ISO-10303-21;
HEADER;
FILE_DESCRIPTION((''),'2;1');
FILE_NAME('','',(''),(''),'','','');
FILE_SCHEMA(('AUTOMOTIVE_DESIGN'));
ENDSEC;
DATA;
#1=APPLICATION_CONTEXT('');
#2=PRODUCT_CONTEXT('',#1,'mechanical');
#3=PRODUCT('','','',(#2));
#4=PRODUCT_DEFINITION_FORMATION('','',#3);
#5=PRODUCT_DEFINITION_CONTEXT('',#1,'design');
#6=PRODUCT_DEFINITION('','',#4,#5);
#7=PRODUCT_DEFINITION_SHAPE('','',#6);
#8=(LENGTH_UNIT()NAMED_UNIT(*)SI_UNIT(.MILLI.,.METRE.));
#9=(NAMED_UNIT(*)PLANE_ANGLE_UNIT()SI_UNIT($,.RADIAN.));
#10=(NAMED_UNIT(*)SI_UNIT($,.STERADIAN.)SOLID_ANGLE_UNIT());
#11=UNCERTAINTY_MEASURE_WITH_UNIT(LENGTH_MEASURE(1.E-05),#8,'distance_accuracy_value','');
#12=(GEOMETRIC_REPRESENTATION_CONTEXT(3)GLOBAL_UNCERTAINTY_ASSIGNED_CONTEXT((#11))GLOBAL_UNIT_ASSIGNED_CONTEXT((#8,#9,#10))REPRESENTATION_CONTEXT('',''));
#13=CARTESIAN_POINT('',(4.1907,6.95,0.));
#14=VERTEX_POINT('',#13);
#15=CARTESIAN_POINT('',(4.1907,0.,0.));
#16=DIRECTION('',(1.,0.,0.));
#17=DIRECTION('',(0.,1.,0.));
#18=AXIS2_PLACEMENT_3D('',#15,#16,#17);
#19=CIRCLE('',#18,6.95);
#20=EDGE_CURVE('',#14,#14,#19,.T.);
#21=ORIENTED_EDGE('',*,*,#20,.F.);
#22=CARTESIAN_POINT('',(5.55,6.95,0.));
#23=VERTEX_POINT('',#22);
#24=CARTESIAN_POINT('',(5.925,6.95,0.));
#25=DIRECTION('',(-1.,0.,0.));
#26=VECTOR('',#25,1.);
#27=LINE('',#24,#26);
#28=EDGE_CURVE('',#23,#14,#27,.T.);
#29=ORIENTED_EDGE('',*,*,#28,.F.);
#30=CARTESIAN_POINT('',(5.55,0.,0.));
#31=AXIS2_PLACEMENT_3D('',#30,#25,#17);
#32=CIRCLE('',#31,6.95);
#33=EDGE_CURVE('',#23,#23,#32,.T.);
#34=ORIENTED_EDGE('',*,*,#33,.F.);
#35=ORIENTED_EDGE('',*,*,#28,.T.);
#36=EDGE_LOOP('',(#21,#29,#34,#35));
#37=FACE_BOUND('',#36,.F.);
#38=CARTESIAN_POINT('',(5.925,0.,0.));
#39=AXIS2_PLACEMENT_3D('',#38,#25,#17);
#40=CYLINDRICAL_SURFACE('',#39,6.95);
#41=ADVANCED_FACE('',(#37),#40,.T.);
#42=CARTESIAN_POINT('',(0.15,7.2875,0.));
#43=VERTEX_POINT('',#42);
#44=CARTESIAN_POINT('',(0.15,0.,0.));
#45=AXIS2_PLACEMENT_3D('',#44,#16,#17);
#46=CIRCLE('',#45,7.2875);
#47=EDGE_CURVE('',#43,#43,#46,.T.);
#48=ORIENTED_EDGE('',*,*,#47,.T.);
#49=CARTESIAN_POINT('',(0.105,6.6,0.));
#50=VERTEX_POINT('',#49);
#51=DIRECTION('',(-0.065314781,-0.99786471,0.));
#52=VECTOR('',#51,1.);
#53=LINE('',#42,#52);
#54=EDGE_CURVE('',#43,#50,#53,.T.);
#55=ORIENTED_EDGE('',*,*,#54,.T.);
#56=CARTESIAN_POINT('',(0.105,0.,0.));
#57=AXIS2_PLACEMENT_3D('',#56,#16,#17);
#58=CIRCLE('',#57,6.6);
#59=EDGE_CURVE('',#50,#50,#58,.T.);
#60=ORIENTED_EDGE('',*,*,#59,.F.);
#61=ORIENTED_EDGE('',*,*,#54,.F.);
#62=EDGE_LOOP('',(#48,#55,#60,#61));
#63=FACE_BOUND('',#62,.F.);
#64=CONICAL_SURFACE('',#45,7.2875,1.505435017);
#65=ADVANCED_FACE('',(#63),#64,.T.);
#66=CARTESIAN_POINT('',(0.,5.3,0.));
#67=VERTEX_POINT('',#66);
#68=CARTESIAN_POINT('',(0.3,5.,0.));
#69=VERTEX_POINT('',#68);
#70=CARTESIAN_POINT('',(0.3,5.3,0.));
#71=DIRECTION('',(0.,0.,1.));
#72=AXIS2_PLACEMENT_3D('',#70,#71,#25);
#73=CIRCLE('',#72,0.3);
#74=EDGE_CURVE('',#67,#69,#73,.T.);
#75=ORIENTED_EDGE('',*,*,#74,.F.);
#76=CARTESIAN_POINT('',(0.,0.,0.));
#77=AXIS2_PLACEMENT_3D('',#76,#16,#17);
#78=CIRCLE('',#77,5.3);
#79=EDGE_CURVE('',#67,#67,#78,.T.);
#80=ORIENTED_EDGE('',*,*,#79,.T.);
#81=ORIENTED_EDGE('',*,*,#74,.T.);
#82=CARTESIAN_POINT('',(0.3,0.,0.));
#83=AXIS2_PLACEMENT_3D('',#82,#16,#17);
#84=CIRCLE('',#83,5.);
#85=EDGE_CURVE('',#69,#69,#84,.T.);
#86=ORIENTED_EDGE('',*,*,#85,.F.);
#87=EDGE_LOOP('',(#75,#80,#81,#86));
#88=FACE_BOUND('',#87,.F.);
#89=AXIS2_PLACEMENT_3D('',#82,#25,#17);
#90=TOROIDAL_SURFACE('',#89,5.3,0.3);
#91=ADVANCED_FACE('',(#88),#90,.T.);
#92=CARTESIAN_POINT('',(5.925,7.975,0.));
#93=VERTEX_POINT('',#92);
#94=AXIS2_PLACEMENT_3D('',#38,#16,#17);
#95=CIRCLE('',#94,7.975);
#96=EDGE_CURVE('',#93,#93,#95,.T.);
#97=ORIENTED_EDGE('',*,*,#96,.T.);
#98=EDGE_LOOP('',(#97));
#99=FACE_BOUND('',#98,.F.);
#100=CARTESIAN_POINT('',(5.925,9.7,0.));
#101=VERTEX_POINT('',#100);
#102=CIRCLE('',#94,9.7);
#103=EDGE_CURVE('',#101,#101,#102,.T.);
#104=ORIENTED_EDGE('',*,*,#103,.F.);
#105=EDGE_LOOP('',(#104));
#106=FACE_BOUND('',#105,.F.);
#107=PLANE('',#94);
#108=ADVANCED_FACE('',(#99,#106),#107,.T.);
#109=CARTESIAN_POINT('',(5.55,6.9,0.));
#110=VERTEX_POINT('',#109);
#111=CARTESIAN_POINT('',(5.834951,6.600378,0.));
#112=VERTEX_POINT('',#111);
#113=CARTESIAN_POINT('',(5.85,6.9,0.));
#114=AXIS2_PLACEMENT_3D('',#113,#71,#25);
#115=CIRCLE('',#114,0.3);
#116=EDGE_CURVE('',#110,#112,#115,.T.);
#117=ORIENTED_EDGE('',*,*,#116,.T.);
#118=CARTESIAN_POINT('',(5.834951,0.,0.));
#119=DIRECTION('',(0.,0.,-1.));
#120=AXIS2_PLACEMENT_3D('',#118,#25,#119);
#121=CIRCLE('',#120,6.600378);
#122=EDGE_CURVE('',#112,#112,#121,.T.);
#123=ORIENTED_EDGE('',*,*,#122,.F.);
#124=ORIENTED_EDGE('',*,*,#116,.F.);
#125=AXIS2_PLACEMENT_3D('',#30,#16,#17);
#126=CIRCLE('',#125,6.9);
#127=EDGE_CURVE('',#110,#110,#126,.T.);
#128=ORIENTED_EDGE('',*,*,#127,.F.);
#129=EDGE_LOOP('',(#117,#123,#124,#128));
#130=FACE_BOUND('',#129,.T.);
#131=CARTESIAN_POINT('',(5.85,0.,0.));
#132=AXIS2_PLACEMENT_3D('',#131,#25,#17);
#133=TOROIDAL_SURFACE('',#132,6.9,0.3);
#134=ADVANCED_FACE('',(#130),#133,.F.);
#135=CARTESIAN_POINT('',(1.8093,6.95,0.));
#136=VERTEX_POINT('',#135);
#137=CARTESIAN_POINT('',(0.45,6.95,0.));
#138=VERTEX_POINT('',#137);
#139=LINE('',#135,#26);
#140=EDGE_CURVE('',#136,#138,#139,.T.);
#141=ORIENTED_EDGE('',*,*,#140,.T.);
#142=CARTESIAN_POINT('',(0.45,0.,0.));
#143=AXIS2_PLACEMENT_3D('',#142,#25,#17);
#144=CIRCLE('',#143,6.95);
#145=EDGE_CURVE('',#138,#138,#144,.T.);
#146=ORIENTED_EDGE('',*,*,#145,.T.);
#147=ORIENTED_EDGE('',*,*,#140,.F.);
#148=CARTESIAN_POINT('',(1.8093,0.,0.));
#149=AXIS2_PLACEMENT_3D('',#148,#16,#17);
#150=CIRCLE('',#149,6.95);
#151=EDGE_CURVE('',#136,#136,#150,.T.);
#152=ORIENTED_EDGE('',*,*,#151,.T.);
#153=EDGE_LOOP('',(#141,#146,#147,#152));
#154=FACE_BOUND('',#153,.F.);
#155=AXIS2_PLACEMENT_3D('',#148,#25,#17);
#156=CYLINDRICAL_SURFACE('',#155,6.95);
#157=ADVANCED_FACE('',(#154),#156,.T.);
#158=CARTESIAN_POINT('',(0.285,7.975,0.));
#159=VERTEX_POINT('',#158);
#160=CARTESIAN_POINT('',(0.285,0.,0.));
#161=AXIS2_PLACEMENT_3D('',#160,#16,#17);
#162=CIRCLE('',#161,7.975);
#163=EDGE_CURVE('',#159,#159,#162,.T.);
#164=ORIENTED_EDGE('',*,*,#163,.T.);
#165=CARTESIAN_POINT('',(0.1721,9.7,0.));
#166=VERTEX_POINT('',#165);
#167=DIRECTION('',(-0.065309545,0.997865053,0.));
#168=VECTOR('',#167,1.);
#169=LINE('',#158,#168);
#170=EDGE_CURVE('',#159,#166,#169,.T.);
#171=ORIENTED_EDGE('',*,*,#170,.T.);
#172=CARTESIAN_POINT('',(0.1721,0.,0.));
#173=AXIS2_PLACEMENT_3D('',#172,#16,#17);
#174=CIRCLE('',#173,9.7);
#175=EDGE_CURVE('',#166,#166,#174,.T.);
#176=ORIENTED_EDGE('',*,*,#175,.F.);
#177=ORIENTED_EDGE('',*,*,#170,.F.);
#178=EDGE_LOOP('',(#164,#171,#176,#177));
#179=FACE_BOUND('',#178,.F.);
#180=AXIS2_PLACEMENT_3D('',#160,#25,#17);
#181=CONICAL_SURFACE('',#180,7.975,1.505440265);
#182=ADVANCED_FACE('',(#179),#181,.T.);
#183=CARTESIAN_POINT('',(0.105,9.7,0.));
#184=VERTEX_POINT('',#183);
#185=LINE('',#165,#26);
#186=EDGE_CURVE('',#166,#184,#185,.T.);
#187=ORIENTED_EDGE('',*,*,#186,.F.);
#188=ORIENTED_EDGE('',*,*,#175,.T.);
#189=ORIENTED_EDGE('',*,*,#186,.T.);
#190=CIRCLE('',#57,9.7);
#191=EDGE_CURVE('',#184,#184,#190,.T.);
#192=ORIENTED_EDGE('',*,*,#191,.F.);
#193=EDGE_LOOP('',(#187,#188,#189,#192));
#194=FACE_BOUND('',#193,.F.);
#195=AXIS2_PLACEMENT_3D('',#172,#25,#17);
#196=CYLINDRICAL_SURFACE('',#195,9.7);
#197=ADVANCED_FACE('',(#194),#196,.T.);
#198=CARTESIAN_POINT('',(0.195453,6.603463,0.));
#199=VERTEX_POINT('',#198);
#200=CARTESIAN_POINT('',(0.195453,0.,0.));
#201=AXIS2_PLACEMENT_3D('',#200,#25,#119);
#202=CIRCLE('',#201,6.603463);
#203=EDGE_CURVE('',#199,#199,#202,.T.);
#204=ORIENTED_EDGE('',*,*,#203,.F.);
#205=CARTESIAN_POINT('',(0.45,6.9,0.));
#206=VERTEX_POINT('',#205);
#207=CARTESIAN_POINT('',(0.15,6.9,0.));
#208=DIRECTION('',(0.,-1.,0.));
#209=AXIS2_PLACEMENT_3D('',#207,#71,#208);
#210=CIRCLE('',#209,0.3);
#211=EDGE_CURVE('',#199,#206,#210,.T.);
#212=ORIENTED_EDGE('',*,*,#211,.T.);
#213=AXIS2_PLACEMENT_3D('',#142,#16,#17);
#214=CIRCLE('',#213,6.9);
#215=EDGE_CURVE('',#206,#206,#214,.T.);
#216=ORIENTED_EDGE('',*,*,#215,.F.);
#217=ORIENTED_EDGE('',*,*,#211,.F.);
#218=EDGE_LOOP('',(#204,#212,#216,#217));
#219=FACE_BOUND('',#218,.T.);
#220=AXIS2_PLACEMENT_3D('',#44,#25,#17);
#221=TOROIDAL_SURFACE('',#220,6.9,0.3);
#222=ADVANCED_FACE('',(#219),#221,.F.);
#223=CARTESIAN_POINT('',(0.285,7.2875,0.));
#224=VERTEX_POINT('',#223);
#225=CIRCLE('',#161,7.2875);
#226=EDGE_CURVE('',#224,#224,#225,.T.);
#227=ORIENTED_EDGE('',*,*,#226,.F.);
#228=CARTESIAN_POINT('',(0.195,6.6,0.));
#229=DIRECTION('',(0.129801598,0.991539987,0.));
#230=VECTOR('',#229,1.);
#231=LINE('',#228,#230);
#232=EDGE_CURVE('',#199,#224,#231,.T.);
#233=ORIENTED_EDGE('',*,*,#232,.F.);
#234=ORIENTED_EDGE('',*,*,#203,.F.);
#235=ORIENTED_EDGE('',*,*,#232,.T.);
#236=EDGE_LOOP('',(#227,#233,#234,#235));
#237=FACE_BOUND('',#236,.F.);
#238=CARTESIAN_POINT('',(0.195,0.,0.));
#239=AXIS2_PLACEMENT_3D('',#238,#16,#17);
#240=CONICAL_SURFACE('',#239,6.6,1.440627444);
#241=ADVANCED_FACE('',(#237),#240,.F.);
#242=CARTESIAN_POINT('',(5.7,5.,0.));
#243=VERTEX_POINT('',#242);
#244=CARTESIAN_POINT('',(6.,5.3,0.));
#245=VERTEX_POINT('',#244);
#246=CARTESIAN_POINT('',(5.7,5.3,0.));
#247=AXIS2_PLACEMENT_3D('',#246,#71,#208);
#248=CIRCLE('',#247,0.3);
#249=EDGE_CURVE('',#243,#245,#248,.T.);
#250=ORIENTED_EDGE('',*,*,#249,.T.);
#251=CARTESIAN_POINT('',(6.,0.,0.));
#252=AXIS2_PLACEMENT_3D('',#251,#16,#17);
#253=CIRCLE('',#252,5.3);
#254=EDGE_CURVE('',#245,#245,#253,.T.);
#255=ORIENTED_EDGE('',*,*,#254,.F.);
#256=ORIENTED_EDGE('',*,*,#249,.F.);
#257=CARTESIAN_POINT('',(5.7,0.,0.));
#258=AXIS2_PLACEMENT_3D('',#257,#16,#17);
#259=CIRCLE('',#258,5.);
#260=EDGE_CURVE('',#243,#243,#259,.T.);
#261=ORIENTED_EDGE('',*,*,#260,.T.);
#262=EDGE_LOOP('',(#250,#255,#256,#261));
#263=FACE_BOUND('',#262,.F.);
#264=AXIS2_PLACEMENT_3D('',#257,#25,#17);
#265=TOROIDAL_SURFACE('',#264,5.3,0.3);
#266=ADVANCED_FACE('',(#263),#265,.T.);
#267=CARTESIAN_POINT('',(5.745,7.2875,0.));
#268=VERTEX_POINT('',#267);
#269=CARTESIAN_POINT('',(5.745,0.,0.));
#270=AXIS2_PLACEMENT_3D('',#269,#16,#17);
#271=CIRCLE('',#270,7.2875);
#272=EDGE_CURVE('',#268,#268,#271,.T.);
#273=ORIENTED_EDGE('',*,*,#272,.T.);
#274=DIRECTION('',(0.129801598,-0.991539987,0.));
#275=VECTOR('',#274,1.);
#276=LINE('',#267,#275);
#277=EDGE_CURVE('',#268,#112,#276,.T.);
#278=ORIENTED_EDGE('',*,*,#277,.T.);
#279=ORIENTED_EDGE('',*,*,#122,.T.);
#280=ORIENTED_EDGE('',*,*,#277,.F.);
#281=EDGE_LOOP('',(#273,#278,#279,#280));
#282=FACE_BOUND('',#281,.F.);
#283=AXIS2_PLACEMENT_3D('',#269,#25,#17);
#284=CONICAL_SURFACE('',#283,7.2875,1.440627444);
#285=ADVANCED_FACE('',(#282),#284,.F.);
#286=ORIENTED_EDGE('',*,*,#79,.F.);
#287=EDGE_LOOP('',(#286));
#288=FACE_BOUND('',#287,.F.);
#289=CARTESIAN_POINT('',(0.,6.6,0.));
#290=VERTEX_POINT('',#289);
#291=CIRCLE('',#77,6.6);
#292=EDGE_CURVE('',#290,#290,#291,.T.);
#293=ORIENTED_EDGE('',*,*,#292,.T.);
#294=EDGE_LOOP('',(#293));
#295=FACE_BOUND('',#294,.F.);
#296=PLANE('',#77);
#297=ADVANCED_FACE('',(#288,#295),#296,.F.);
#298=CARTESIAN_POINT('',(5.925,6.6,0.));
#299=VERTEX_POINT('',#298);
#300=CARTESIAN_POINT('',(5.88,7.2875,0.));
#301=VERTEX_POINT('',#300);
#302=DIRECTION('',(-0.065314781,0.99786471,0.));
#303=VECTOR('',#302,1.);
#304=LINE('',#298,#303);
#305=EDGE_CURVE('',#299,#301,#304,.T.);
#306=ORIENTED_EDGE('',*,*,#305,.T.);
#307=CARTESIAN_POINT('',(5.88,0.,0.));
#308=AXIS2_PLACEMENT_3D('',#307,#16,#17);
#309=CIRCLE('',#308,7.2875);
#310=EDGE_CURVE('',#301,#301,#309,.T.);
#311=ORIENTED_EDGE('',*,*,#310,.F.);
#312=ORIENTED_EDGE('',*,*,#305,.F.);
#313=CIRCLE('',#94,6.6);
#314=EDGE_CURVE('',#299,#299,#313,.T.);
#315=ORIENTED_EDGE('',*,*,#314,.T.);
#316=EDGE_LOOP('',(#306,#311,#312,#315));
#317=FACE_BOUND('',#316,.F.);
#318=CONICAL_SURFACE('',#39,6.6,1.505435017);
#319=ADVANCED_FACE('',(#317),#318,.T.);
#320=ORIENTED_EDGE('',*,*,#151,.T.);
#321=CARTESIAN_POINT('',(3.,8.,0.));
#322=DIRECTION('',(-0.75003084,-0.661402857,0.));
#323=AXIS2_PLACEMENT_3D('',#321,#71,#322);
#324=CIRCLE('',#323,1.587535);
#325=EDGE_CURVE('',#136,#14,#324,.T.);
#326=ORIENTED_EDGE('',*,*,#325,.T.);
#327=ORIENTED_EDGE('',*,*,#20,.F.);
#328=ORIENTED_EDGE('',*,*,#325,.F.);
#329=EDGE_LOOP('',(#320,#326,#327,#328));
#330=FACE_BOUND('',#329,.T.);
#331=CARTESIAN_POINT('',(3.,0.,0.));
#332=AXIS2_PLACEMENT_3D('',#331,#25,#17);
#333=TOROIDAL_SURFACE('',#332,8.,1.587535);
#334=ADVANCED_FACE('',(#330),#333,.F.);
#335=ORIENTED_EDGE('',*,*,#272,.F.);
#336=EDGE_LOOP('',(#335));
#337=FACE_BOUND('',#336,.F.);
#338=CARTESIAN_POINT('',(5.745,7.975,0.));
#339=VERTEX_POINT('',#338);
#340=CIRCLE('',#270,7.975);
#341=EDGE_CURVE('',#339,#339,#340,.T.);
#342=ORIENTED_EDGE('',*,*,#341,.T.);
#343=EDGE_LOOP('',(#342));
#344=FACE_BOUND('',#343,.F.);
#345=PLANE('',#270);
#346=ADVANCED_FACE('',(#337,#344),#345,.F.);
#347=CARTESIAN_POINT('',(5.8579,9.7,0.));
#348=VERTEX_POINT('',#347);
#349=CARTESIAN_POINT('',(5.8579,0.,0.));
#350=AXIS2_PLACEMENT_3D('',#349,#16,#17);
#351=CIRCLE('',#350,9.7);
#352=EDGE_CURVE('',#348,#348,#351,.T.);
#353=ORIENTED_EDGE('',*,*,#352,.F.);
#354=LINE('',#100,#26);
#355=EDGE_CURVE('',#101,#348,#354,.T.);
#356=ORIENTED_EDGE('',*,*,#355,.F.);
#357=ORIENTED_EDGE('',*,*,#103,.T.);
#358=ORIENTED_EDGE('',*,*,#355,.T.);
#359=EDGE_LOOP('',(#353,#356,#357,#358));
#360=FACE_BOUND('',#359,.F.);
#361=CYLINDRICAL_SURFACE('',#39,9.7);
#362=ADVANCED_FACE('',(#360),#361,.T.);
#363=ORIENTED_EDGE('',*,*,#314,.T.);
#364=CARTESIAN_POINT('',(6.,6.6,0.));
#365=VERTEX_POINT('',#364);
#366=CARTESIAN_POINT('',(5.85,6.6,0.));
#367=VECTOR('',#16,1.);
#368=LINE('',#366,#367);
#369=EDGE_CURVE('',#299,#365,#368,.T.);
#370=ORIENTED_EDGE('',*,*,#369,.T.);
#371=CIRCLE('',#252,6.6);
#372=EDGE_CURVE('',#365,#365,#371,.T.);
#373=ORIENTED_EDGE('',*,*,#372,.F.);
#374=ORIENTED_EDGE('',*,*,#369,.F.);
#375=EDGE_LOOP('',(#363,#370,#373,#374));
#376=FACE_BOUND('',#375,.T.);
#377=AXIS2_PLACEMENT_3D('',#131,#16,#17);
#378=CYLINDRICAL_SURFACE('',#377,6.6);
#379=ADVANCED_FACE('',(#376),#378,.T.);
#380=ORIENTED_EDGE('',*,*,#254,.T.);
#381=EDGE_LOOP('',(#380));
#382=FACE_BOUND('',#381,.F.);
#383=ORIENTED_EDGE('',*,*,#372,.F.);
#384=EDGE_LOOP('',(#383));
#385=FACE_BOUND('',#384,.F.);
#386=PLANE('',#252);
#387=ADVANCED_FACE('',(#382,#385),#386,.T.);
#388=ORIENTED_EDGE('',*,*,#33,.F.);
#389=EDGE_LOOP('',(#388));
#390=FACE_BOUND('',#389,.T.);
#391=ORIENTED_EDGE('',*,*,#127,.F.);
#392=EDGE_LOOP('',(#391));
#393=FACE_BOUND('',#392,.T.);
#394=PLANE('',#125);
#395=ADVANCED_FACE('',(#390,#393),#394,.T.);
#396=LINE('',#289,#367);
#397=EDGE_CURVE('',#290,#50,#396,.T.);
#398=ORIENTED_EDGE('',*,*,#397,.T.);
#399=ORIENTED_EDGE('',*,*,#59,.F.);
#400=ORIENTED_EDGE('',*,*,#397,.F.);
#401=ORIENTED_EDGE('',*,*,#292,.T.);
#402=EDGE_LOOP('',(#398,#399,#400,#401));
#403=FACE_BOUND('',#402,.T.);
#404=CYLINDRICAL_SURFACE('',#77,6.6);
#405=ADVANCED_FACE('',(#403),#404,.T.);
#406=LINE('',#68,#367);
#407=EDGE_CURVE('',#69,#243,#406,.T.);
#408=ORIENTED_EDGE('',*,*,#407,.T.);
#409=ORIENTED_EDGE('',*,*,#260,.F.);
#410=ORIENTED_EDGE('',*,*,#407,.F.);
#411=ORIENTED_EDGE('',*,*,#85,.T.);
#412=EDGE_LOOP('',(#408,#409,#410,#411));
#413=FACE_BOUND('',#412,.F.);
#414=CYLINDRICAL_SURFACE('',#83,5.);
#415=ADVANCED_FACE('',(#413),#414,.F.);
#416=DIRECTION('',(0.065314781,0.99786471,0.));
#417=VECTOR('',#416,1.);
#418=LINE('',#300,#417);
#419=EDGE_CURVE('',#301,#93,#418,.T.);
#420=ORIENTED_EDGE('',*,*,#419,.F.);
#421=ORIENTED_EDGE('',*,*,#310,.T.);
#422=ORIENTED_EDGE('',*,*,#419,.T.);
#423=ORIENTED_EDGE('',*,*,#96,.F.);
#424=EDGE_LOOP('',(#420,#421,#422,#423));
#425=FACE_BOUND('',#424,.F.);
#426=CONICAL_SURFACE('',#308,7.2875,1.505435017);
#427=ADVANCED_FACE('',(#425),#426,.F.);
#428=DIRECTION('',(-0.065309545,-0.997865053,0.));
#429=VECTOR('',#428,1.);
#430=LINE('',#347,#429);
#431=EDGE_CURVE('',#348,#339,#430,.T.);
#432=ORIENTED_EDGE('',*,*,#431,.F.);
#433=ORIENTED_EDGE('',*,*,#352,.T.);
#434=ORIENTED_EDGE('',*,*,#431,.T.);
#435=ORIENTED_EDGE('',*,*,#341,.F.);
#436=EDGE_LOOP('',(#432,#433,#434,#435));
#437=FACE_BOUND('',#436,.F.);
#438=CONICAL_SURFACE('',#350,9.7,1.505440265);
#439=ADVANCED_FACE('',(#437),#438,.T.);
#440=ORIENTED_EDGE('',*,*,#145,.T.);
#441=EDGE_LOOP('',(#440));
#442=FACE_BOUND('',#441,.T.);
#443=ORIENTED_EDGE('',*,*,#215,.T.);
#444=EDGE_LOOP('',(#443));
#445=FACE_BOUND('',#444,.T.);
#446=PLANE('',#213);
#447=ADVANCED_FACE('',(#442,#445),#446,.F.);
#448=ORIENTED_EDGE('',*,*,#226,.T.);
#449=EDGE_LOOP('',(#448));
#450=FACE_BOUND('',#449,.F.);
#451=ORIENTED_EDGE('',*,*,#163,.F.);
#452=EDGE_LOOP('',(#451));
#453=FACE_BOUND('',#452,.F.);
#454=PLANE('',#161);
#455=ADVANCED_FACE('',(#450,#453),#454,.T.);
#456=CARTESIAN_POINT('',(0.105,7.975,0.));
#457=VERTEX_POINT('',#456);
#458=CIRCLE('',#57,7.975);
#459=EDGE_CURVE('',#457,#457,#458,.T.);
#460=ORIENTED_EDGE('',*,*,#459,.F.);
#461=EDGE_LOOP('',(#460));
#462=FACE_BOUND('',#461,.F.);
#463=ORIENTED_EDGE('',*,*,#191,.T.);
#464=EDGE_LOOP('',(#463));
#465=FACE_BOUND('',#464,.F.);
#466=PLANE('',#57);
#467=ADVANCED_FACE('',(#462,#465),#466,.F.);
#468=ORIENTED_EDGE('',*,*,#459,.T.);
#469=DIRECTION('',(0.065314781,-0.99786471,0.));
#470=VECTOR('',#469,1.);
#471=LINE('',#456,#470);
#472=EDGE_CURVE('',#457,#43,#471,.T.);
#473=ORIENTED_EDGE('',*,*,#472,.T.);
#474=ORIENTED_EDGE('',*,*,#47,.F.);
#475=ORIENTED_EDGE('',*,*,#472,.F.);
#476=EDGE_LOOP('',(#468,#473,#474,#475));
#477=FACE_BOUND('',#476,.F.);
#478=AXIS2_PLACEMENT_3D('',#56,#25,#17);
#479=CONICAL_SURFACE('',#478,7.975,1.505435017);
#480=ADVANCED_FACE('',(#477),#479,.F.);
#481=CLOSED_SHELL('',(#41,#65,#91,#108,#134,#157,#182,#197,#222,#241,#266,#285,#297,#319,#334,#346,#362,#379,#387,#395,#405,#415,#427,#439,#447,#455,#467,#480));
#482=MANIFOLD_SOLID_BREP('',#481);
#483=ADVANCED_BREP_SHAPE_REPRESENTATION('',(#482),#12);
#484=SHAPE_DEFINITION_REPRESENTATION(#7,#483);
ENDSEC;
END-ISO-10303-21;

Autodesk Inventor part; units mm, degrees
ref_plane "YZ Plane" through (0, 0, 0) normal (1, 0, 0) x (0, 1, 0)
ref_plane "XZ Plane" through (0, 0, 0) normal (0, 1, 0) x (-1, 0, 0)
ref_plane "XY Plane" through (0, 0, 0) normal (0, 0, 1) x (1, 0, 0)
sketch "Sketch_40" plane through (0, 0, 0) normal (0, 0, 1) x (1, 0, 0)
  line L0 (3, 0) -> (-3, 0)
  line L1 (0, 6.875) -> (0, 5.3)
  arc A0 (0, 5.3) -> (0.3, 5) centre (0.3, 5.3) ccw
  line L2 (0.3, 5) -> (5.7, 5)
  arc A1 (5.7, 5) -> (6, 5.3) centre (5.7, 5.3) ccw
  line L3 (6, 5.3) -> (6, 6.875)
  arc A2 (6, 6.875) -> (5.925, 6.95) centre (5.925, 6.875) ccw
  line L4 (5.925, 6.95) -> (4.1907, 6.95)
  arc A3 (1.8093, 6.95) -> (4.1907, 6.95) centre (3, 8) ccw
  line L5 (1.8093, 6.95) -> (0.075, 6.95)
  arc A4 (0.075, 6.95) -> (0, 6.875) centre (0.075, 6.875) ccw
revolve "Revolution1" add sketch "Sketch_40" angle 360 about axis through (3, 0, 0) along (1, 0, 0)
sketch "Sketch_42" plane through (0, 0, 0) normal (0, 0, 1) x (1, 0, 0)
  line L0 (3, 0) -> (-3, 0)
  line L1 (0, 14.6) -> (0, 6.6)
  line L2 (0, 6.6) -> (0.15, 6.6)
  arc A0 (0.15, 6.6) -> (0.45, 6.9) centre (0.15, 6.9) ccw
  line L3 (0.45, 6.9) -> (0.45, 14.3)
  line L4 (0.45, 14.3) -> (5.55, 14.3)
  line L5 (5.55, 14.3) -> (5.55, 6.9)
  arc A1 (5.55, 6.9) -> (5.85, 6.6) centre (5.85, 6.9) ccw
  line L6 (5.85, 6.6) -> (6, 6.6)
  line L7 (6, 6.6) -> (6, 14.6)
  line L8 (6, 14.6) -> (0, 14.6)
revolve "Revolution2" cut sketch "Sketch_42" angle 360 about axis through (3, 0, 0) along (1, 0, 0)
sketch "Sketch_44" plane through (0, 0, 0) normal (0, 0, 1) x (1, 0, 0)
  line L0 (5, 0) -> (-5, 0)
  line L1 (5.745, 7.2875) -> (5.835, 6.6)
  line L2 (5.835, 6.6) -> (5.925, 6.6)
  line L3 (5.925, 6.6) -> (5.88, 7.2875)
  line L4 (5.88, 7.2875) -> (5.925, 7.975)
  line L5 (5.925, 7.975) -> (5.925, 9.7)
  line L6 (5.925, 9.7) -> (5.8579, 9.7)
  line L7 (5.8579, 9.7) -> (5.745, 7.975)
  line L8 (5.745, 7.975) -> (5.745, 7.2875)
revolve "Revolution3" add sketch "Sketch_44" angle 360 about axis through (5, 0, 0) along (1, 0, 0)
sketch "Sketch_49" plane through (0, 0, 0) normal (0, 0, 1) x (1, 0, 0)
  line L0 (5, 0) -> (-5, 0)
  line L1 (0.105, 6.6) -> (0.195, 6.6)
  line L2 (0.195, 6.6) -> (0.285, 7.2875)
  line L3 (0.285, 7.2875) -> (0.285, 7.975)
  line L4 (0.285, 7.975) -> (0.1721, 9.7)
  line L5 (0.1721, 9.7) -> (0.105, 9.7)
  line L6 (0.105, 9.7) -> (0.105, 7.975)
  line L7 (0.105, 7.975) -> (0.15, 7.2875)
  line L8 (0.15, 7.2875) -> (0.105, 6.6)
revolve "Revolution4" add sketch "Sketch_49" angle 360 about axis through (5, 0, 0) along (1, 0, 0)
properties part number "SKF_W 61900 R-2RS1_PART1"
